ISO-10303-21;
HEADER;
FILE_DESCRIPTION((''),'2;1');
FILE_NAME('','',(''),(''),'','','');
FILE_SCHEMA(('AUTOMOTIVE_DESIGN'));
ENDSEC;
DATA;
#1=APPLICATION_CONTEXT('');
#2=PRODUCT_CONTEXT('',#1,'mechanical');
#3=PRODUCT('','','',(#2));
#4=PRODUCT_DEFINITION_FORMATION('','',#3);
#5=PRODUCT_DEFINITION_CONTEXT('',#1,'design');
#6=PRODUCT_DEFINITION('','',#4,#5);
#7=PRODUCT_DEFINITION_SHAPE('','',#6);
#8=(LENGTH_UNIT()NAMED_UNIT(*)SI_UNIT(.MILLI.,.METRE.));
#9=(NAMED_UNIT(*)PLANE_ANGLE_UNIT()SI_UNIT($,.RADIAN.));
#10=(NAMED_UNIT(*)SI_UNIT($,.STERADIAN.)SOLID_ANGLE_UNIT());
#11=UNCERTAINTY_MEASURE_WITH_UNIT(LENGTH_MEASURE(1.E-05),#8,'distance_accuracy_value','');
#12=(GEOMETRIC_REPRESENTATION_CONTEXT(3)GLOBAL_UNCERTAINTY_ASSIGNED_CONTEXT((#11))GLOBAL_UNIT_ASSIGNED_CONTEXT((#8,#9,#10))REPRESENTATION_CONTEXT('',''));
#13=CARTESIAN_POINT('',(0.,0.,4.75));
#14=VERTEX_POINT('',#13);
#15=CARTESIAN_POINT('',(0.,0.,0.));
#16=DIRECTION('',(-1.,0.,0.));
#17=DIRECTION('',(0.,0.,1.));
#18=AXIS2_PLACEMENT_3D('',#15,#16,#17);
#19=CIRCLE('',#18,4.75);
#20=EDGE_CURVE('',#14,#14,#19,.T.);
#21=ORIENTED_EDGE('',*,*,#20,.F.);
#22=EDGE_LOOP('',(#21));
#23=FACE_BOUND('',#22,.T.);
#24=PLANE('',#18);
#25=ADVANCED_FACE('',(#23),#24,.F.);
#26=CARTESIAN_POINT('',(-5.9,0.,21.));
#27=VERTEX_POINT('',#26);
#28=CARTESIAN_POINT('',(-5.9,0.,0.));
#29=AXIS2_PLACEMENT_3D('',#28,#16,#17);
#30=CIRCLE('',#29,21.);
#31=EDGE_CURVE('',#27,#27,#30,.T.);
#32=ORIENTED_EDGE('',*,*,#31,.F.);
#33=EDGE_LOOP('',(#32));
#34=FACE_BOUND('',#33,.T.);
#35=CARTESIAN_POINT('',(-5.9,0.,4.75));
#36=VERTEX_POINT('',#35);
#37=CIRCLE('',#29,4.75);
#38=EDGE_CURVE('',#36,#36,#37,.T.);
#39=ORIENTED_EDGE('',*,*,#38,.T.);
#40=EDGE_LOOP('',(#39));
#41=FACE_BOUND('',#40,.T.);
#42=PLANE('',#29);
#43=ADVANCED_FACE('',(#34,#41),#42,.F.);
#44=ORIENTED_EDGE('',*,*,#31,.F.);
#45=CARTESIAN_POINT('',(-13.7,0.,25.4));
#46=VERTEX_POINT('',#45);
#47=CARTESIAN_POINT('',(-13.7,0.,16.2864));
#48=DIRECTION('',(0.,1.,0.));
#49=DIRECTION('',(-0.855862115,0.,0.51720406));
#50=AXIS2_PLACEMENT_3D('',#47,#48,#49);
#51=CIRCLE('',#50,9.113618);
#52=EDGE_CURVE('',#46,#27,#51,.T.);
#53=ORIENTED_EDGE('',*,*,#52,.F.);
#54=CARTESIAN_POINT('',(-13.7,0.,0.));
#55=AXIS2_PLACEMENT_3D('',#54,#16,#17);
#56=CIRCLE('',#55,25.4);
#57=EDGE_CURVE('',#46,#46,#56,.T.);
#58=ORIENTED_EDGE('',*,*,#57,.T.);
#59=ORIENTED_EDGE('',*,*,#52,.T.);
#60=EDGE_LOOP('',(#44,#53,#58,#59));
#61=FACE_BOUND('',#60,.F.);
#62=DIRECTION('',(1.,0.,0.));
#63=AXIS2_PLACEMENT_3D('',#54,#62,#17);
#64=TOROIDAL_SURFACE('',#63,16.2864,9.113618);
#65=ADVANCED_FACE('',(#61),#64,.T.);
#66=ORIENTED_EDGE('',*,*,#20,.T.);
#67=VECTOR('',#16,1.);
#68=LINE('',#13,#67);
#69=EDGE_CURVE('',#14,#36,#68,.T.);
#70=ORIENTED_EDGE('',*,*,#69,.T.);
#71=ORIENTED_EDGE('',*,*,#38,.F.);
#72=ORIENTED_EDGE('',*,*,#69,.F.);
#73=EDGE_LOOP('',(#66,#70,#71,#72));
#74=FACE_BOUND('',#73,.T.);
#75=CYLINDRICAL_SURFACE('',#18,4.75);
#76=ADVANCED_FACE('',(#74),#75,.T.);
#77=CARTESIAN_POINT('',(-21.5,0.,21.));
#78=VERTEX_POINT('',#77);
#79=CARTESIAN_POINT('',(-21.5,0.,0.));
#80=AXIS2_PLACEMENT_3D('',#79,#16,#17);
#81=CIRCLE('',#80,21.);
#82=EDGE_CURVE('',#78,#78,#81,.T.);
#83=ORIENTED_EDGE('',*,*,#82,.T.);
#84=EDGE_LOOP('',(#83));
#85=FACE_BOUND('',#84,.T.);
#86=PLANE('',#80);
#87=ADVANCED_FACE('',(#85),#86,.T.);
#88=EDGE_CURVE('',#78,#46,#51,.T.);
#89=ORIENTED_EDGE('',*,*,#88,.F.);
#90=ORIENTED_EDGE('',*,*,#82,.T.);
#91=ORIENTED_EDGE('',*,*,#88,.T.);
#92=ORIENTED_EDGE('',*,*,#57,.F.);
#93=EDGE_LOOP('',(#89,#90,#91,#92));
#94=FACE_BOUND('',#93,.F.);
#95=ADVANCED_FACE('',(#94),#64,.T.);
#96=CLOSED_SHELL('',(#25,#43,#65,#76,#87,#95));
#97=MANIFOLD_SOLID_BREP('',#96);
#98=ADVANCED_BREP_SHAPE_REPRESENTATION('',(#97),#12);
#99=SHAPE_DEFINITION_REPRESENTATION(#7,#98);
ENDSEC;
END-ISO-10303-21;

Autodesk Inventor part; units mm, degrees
ref_plane "YZ Plane" through (0, 0, 0) normal (1, 0, 0) x (0, 1, 0)
ref_plane "XZ Plane" through (0, 0, 0) normal (0, 1, 0) x (-1, 0, 0)
ref_plane "XY Plane" through (0, 0, 0) normal (0, 0, 1) x (1, 0, 0)
sketch "Esquisse1" plane through (0, 0, 0) normal (0, 1, 0) x (-1, 0, 0)
  line L0 (0, 0) -> (0, 4.75)
  line L1 (0, 4.75) -> (5.9, 4.75)
  line L2 (5.9, 4.75) -> (5.9, 21)
  arc A0 (21.5, 21) -> (5.9, 21) centre (13.7, 16.2864) ccw
  line L3 (21.5, 21) -> (21.5, 0)
  line L4 (21.5, 0) -> (0, 0)
  line L5 (13.7, 25.4) -> (29.3742, 25.4)
  line L6 (0, 0) -> (27.0366, 0)
  dimension "d0" = 4.75
  dimension "d1" = 5.9
  dimension "d2" = 15.6
  dimension "d3" = 25.4
  dimension "d4" = 21
revolve "Révolution1" add sketch "Esquisse1" angle 360 about axis through (0, 0, 0) along (-1, 0, 0)
properties part number "wheel"
